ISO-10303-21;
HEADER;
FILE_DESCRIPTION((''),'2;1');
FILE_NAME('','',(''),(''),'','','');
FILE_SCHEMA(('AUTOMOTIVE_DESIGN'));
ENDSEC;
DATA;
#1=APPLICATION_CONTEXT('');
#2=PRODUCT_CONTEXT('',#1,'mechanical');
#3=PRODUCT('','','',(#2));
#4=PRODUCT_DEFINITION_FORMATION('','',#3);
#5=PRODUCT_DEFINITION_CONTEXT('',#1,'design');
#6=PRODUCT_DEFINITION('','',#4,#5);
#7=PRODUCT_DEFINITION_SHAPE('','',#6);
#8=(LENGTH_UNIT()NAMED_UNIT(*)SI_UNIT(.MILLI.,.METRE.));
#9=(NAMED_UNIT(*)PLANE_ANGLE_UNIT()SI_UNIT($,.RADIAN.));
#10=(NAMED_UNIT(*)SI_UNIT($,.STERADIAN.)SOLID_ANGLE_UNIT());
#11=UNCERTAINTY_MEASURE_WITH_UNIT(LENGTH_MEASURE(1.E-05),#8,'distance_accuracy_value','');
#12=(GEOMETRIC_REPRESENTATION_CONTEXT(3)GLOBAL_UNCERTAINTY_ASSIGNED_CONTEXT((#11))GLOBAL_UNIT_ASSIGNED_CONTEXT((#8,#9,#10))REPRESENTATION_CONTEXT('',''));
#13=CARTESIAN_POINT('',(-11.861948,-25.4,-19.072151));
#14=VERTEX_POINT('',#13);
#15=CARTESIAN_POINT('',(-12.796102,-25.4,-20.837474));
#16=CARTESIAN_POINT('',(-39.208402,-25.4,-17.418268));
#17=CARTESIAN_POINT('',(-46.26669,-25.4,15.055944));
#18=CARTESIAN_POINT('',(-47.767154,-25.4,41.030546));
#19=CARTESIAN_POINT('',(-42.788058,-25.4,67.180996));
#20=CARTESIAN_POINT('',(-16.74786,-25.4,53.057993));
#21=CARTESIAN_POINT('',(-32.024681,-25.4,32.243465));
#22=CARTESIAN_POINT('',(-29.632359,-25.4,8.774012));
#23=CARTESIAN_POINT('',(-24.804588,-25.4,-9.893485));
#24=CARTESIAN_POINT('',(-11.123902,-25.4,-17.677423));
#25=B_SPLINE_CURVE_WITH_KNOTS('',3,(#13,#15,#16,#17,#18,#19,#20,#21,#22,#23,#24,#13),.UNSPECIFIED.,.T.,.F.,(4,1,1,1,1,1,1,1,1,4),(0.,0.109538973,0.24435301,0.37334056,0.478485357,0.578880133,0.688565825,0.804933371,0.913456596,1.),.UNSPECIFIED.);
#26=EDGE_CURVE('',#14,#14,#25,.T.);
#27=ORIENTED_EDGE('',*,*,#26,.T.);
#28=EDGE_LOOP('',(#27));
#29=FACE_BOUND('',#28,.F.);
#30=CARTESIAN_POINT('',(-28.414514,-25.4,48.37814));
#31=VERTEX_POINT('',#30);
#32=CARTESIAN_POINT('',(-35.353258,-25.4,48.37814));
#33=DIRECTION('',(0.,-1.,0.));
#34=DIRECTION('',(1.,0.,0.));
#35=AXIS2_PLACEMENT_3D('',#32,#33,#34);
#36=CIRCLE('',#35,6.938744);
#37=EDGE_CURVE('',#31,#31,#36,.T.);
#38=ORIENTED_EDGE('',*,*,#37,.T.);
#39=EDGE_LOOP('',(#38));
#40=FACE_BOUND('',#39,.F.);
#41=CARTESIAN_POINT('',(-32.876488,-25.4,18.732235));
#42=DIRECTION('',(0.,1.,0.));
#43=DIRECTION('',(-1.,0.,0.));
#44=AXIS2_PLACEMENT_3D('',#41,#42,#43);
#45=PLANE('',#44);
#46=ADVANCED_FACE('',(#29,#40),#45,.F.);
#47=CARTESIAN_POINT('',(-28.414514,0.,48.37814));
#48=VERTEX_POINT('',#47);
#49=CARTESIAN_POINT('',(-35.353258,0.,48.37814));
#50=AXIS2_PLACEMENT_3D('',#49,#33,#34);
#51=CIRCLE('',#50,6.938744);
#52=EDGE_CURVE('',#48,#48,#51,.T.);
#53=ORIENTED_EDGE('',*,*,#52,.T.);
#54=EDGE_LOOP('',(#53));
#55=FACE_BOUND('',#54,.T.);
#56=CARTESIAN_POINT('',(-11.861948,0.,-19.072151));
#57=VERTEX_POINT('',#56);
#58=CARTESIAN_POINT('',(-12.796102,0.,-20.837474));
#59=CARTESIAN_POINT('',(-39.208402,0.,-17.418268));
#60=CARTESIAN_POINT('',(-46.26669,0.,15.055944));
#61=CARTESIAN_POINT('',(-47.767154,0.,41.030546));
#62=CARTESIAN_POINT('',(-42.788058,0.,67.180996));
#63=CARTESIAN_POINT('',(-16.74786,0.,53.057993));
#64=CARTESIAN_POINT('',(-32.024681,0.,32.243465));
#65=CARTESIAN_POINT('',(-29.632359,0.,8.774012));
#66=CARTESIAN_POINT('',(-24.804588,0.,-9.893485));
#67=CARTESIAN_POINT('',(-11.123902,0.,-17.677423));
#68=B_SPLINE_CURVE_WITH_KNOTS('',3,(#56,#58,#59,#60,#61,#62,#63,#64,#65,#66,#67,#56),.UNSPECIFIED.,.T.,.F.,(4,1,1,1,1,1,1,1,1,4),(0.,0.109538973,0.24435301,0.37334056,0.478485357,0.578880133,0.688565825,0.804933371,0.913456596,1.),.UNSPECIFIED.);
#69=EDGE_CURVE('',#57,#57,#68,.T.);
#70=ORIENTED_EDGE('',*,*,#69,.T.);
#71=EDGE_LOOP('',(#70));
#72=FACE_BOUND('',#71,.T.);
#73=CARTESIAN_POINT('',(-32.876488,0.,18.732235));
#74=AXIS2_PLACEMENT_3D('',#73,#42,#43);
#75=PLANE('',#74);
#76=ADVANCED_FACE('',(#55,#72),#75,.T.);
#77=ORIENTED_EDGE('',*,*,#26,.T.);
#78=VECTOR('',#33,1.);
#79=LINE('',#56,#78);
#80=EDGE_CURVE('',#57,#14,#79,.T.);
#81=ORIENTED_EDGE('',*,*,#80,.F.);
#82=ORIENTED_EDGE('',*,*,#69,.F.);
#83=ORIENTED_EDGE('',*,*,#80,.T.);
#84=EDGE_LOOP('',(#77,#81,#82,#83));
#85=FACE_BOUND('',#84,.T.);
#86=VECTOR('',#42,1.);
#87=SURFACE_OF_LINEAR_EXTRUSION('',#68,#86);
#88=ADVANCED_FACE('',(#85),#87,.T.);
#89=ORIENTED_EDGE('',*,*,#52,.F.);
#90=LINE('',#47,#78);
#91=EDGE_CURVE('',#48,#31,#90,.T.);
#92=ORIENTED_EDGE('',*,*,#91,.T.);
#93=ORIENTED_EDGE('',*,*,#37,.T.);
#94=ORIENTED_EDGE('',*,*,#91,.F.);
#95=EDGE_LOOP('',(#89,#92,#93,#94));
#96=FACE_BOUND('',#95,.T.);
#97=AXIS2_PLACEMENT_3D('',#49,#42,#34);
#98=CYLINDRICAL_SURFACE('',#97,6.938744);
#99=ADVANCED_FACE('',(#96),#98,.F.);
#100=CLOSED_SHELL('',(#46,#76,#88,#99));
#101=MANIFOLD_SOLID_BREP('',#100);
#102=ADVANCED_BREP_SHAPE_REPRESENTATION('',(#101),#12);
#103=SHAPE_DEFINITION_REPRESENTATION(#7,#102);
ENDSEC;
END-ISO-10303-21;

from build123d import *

# Parameters (mm, degrees)
F0_R     = 6.9387438129
F1_DEPTH = 25.4


with BuildPart() as f1:
    # F0 (on Front) → F1 (new body)
    with BuildSketch(Plane.XZ):
        with BuildLine():
            add(Edge.make_bspline(
                [(-11.8619482964, -19.0721508116), (-12.7961022205, -20.8374735199), (-39.2084024213, -17.4182677668), (-46.2666898662, 15.0559438951), (-47.7671536382, 41.0305457325), (-42.7880584387, 67.180996425), (-16.7478599701, 53.0579925443), (-32.0246808417, 32.2434647388), (-29.6323586853, 8.7740119316), (-24.8045883788, -9.8934846), (-11.1239017502, -17.6774231395), (-11.8619482964, -19.0721508116)],
                knots=[0, 0, 0, 0, 0.1095389728, 0.2443530102, 0.3733405595, 0.4784853574, 0.5788801328, 0.6885658248, 0.8049333714, 0.9134565959, 1, 1, 1, 1], degree=3))
        make_face()
        with Locations((-35.3532582521, 48.3781397343)):
            Circle(F0_R, mode=Mode.SUBTRACT)
    extrude(amount=F1_DEPTH)


solid = f1.part
